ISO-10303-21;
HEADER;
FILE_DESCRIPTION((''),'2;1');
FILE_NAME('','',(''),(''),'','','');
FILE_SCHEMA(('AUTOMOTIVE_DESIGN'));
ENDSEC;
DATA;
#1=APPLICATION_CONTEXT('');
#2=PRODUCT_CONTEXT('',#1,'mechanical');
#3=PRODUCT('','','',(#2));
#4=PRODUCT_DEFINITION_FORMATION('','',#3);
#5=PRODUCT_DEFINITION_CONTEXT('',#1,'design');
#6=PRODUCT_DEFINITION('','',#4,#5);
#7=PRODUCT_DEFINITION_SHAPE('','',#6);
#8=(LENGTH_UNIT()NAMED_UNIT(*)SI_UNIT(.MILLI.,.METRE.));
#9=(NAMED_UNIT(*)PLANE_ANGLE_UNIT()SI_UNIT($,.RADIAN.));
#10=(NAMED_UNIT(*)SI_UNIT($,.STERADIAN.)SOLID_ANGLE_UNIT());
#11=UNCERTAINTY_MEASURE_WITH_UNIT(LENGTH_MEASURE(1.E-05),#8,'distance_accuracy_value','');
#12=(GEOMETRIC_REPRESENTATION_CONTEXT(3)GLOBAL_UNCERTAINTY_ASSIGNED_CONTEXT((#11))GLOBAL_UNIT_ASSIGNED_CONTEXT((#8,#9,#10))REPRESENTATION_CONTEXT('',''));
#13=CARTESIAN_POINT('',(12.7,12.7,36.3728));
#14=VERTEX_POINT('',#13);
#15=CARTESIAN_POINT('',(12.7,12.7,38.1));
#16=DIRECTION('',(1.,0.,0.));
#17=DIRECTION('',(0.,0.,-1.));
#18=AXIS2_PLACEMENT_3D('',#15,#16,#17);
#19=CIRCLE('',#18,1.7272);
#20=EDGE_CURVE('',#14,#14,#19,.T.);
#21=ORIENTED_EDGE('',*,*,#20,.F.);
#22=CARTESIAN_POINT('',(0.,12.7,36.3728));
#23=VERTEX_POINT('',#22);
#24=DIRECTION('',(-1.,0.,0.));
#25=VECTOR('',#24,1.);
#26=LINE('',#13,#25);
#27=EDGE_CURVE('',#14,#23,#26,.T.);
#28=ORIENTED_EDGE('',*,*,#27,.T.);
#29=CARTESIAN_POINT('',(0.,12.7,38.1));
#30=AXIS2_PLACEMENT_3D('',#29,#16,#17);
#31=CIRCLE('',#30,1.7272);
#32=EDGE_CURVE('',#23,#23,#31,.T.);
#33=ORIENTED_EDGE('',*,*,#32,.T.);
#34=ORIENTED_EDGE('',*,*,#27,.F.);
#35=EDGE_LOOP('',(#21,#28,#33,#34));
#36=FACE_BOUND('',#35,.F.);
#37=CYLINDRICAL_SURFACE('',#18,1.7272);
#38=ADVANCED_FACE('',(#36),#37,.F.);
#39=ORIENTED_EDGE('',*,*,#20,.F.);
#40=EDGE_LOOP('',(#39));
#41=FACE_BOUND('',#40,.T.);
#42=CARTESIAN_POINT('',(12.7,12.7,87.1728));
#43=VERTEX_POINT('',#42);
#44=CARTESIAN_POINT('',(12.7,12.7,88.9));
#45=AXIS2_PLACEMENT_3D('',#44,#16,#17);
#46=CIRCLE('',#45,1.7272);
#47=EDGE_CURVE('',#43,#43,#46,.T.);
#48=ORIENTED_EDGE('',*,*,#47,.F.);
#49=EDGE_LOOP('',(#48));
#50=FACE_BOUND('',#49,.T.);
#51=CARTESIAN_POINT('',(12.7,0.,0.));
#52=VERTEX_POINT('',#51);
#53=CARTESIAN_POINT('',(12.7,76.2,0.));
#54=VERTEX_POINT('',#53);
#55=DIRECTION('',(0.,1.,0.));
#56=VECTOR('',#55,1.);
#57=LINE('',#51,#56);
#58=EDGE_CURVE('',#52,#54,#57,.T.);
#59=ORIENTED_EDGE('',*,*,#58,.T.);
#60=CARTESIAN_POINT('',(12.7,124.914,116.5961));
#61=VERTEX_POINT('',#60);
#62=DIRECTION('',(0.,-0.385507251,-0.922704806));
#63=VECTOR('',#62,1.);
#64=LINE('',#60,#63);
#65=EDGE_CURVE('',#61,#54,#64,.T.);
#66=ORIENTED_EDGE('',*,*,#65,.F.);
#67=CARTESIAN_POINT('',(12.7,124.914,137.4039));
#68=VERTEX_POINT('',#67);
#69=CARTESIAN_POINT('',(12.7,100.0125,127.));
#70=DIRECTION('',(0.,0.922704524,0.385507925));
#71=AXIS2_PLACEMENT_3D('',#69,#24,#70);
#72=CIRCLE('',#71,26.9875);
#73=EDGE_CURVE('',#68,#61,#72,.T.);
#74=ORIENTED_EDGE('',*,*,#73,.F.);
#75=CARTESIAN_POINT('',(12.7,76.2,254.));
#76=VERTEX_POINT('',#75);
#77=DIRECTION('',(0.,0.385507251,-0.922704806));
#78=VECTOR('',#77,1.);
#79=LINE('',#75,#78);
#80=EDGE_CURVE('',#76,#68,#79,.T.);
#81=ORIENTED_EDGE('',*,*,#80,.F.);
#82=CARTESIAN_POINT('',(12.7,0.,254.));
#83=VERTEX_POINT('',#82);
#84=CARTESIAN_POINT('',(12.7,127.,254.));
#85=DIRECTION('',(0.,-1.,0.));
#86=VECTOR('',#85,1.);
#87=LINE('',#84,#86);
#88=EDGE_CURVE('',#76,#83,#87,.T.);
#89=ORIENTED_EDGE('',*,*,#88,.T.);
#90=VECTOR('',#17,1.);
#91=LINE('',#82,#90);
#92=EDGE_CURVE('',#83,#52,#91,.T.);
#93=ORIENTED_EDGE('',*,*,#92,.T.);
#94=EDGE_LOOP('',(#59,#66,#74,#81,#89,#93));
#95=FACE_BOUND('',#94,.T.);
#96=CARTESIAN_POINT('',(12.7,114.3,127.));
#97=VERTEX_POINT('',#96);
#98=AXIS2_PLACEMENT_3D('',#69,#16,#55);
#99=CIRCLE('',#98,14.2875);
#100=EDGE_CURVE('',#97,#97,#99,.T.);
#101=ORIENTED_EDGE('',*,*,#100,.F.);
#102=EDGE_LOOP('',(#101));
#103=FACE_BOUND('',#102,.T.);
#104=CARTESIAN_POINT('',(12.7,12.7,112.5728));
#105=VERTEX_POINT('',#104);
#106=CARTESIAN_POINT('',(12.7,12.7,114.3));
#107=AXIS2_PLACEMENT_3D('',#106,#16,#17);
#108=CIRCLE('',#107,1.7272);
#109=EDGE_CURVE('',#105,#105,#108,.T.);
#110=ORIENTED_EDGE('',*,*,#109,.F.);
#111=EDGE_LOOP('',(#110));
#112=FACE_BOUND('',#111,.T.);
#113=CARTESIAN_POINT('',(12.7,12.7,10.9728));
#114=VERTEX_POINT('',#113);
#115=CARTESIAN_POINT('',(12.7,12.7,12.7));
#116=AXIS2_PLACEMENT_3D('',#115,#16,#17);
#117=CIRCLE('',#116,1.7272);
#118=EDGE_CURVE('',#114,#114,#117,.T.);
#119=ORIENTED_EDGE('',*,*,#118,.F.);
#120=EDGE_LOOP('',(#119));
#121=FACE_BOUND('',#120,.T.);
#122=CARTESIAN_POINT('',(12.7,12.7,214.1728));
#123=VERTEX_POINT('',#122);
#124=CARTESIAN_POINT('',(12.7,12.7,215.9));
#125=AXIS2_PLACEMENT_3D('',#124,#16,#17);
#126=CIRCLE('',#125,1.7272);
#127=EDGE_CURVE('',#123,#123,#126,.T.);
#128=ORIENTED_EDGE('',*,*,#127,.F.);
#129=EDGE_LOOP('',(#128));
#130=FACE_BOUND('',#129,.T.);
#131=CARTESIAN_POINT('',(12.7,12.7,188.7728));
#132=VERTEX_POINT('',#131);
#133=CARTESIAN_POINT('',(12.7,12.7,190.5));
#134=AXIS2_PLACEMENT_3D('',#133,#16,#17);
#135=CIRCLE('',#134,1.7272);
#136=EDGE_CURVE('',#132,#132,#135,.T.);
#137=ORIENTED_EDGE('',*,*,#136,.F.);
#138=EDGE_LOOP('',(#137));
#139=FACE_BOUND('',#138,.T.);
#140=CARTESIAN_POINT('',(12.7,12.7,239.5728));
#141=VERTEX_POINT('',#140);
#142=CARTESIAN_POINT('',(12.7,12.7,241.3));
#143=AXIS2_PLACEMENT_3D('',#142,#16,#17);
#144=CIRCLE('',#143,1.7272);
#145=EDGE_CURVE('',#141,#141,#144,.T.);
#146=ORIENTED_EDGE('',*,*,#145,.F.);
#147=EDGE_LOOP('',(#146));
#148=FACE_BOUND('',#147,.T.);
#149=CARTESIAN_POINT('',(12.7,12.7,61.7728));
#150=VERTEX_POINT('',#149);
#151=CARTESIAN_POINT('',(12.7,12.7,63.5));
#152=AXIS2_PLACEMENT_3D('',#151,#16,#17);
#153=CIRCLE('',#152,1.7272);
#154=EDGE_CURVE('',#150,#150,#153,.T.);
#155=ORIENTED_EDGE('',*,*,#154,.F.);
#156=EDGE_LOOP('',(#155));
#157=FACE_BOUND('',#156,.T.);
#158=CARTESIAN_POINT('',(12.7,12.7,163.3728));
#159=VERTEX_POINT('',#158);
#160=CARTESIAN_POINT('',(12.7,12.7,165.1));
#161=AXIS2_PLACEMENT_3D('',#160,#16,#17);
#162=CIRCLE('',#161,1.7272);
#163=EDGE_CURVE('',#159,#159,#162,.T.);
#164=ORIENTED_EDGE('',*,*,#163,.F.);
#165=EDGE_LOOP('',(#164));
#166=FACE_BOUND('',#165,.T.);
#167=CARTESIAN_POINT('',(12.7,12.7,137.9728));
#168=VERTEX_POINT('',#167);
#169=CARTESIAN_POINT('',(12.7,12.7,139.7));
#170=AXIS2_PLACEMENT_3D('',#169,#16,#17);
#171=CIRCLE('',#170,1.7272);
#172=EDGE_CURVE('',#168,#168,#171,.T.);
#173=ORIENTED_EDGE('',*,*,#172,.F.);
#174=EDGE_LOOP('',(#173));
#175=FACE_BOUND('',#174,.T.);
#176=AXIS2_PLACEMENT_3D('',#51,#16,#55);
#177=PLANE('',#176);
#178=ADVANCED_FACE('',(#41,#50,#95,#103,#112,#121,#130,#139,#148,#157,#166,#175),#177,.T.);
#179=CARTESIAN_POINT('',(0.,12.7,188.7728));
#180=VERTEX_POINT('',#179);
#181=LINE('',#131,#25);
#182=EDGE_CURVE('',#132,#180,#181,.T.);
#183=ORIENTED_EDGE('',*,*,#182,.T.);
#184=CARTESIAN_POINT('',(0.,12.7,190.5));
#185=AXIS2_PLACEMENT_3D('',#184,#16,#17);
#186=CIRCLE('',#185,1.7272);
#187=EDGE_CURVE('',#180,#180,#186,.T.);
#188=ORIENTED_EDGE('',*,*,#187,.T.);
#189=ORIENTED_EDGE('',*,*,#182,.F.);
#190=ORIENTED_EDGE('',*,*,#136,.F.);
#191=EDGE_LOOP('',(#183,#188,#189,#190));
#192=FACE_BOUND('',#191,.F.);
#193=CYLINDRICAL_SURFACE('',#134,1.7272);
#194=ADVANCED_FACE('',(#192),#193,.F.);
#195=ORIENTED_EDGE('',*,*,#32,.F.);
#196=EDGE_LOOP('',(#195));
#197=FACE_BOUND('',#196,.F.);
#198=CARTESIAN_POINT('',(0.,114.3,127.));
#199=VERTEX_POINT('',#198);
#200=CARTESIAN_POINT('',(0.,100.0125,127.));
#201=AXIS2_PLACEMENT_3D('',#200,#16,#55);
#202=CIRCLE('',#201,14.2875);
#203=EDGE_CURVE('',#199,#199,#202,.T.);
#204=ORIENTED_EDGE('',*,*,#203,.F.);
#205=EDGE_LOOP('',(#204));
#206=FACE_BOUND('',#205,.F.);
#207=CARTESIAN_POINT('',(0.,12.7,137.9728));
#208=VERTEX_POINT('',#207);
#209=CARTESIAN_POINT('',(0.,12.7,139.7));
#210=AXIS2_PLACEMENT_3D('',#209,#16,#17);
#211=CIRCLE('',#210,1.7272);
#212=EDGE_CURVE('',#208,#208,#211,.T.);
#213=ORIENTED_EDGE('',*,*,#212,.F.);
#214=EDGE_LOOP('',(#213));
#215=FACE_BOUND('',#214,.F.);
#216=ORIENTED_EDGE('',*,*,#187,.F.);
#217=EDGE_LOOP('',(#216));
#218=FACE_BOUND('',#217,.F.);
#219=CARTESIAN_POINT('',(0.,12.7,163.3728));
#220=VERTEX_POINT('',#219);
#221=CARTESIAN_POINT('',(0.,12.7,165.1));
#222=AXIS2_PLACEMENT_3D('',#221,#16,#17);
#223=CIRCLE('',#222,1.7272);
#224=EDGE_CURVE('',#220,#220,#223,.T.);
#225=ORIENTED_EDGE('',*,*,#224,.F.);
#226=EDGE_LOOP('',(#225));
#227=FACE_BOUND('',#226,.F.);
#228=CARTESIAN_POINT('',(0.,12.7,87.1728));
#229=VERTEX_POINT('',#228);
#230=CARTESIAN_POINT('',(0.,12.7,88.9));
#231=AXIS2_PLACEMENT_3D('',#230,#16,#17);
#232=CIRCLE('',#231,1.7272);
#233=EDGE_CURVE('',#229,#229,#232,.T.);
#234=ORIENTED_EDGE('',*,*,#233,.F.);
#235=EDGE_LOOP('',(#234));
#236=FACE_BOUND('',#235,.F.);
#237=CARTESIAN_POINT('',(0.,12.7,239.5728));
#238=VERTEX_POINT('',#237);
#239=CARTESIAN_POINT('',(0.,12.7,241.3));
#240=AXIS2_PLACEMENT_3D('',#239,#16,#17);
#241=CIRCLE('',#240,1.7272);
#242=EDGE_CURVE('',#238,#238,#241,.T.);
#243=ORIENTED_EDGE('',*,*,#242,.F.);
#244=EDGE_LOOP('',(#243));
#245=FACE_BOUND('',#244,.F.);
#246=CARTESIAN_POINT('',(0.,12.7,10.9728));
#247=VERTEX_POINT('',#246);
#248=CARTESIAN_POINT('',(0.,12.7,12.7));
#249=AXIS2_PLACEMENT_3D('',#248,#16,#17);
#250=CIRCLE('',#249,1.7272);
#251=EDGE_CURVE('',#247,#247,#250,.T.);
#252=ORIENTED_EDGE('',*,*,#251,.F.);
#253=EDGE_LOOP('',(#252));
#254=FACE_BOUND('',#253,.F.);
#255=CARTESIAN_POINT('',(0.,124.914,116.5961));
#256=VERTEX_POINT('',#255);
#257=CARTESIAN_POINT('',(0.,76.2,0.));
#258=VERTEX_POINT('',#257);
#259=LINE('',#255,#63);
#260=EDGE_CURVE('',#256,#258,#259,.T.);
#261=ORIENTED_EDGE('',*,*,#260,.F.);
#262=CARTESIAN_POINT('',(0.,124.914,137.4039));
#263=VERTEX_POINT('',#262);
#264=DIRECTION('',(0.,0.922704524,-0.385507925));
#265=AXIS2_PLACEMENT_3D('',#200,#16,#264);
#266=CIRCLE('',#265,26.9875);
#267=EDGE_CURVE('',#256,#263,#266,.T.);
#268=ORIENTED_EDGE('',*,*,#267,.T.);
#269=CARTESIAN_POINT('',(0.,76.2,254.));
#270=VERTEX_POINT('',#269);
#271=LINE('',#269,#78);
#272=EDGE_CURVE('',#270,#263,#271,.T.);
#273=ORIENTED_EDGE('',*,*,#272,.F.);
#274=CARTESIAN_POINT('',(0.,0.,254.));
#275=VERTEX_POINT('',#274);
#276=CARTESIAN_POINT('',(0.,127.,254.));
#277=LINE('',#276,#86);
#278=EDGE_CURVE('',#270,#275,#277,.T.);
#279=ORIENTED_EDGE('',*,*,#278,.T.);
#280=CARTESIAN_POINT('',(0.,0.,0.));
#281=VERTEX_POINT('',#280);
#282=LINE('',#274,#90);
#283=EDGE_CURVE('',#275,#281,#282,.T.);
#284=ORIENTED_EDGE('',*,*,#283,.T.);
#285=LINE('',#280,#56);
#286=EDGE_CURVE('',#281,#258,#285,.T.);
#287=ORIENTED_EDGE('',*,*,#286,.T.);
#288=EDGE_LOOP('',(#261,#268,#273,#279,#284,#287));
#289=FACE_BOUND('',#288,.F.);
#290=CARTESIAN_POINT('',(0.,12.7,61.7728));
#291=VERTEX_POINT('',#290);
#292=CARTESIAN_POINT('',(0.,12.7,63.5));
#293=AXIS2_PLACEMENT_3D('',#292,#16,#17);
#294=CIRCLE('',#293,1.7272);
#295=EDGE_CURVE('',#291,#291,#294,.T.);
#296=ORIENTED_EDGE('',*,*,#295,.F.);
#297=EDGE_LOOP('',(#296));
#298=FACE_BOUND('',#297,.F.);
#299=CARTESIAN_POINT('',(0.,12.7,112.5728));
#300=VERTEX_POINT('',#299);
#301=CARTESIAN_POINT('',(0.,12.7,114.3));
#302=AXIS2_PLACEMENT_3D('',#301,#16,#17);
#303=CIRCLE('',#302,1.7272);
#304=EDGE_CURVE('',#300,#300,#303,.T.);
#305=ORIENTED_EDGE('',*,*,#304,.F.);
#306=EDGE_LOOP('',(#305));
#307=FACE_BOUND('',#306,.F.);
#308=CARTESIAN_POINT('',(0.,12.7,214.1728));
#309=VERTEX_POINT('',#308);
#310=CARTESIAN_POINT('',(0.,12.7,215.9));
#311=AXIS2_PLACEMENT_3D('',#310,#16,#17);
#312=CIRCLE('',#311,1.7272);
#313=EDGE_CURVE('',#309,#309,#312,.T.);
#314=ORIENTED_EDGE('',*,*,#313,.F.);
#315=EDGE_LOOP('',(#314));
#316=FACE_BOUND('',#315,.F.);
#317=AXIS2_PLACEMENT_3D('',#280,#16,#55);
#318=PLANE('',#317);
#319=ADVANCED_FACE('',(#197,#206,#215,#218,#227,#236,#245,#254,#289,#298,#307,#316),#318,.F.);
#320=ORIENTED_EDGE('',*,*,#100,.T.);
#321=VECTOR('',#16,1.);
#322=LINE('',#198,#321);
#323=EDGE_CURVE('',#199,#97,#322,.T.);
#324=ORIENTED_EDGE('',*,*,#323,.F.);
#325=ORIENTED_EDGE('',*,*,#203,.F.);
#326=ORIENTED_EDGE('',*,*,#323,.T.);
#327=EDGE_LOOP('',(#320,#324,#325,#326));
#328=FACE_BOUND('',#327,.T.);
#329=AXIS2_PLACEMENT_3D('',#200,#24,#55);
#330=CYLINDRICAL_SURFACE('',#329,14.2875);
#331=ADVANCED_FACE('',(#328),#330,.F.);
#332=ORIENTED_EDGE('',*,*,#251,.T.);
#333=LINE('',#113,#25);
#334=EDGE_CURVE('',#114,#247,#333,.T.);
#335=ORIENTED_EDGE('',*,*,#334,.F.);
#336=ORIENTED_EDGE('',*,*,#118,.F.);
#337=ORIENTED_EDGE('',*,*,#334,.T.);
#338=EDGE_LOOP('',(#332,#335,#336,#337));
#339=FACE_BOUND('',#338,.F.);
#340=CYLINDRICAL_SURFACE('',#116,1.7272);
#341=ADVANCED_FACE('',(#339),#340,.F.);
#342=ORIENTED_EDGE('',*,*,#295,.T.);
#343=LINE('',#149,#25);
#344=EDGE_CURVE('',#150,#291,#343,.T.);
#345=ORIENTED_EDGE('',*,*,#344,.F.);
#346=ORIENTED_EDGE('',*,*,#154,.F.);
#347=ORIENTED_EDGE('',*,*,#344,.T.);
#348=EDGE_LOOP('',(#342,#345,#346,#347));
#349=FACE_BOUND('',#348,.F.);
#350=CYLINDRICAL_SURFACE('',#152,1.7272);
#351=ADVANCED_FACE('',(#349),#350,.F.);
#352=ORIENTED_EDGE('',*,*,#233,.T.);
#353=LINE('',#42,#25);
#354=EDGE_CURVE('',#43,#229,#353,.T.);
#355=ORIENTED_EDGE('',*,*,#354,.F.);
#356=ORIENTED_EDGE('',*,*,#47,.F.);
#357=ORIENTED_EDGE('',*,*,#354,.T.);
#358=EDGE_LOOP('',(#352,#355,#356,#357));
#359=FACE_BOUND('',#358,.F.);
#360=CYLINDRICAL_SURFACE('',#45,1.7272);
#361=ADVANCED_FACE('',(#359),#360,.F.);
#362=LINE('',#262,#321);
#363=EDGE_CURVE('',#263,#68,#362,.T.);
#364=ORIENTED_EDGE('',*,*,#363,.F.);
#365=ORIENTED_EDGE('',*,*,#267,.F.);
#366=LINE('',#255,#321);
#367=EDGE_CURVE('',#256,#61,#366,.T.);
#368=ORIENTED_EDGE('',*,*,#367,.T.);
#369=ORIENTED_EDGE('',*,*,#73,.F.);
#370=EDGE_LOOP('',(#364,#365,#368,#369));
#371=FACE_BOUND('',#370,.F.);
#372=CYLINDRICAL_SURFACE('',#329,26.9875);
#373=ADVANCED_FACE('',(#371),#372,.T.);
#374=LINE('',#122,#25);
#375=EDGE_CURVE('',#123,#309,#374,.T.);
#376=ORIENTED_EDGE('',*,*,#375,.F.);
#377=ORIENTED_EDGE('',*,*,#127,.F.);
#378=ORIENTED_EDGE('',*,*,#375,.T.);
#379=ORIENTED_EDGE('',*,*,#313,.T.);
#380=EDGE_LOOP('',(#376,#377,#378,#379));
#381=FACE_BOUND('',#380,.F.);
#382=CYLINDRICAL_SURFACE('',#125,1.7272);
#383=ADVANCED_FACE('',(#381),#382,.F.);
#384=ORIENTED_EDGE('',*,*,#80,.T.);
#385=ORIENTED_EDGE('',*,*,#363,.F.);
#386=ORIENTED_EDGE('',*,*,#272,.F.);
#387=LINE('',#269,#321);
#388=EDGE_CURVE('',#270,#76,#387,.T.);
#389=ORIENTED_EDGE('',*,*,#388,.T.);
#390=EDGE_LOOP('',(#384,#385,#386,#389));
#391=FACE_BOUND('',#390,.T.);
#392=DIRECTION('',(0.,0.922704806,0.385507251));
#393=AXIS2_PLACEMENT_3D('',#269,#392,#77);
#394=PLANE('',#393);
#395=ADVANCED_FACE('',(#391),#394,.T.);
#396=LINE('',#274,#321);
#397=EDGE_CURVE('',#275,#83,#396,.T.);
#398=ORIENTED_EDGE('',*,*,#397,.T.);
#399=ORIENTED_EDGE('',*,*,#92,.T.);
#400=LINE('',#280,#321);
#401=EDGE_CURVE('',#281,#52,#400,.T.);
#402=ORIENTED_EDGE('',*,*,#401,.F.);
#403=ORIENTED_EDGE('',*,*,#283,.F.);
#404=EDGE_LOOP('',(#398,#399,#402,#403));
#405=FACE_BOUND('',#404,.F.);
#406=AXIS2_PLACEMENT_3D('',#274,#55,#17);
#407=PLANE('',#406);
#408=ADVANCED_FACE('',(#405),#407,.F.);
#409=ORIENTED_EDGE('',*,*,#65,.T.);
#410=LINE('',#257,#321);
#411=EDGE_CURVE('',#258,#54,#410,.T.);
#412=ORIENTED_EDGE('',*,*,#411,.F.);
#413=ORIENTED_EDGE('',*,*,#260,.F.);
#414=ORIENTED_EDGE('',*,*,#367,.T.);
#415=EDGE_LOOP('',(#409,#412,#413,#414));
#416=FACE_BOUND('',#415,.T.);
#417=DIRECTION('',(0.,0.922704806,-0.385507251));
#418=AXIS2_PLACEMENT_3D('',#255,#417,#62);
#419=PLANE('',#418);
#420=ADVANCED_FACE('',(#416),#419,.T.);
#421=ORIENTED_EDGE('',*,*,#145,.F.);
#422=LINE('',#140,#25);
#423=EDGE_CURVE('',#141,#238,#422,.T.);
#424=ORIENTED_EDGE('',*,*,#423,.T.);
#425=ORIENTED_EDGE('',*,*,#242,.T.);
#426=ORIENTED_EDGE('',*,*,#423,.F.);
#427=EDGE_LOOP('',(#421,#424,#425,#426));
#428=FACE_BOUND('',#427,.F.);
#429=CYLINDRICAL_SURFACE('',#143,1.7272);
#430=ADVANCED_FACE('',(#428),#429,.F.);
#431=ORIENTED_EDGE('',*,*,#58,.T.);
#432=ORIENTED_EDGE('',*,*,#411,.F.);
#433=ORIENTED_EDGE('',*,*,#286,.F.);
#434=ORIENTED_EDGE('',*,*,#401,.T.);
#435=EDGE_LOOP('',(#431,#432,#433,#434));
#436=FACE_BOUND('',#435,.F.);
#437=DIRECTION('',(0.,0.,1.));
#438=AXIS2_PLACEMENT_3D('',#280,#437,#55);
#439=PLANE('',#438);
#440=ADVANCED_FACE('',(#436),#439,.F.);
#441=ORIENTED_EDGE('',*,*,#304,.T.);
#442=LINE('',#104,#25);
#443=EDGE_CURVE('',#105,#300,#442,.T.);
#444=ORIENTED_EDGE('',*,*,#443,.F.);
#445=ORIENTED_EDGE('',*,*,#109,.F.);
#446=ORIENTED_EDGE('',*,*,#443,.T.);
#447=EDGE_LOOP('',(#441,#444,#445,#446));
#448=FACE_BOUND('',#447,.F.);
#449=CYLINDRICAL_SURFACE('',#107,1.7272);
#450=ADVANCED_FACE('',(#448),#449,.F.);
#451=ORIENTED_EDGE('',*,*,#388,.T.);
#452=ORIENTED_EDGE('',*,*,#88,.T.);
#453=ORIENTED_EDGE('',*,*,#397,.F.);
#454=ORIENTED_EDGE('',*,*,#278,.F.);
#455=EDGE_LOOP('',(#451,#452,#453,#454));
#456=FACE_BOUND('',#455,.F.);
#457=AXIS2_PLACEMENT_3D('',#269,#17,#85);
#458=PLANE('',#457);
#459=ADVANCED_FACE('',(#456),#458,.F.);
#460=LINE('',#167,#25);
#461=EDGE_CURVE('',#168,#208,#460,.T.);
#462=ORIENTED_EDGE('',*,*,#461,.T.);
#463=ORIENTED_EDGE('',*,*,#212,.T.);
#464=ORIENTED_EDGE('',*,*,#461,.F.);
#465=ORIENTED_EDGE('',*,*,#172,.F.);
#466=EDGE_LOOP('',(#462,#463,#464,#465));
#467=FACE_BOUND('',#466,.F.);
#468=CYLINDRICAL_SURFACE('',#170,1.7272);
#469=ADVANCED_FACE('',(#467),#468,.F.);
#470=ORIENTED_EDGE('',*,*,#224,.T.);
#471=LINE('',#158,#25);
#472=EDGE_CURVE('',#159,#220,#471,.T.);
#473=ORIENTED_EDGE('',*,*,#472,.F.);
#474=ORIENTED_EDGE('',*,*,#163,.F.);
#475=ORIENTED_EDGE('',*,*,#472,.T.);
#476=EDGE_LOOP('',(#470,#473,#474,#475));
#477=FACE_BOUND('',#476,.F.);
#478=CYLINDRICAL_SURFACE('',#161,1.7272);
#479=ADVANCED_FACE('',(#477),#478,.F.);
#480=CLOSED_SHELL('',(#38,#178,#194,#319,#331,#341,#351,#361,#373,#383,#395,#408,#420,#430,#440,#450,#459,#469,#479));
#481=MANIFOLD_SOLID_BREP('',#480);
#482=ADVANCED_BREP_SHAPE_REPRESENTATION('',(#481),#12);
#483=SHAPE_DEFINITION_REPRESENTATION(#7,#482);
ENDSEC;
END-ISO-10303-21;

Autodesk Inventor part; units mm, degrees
ref_plane "YZ Plane" through (0, 0, 0) normal (1, 0, 0) x (0, 1, 0)
ref_plane "XZ Plane" through (0, 0, 0) normal (0, 1, 0) x (-1, 0, 0)
ref_plane "XY Plane" through (0, 0, 0) normal (0, 0, 1) x (1, 0, 0)
sketch "Sketch1" plane through (0, 0, 0) normal (1, 0, 0) x (0, 1, 0)
  line L0 (127, 254) -> (0, 254)
  line L1 (0, 254) -> (0, 0)
  line L2 (0, 0) -> (127, 0)
  line L3 (127, 0) -> (127, 254)
  circle A0 centre (100.0125, 127) radius 14.2875
  circle A1 centre (100.0125, 127) radius 26.9875
  line L4 (76.2, 254) -> (124.914, 137.4039)
  line L5 (124.914, 116.5961) -> (76.2, 0)
  dimension "d0" = 254
  dimension "d1" = 127
  dimension "d2" = 28.575
  dimension "d3" = 12.7
  dimension "d4" = 127
  dimension "d5" = 76.2
  dimension "d6" = 76.2
extrude "Extrusion1" add sketch "Sketch1" along normal blind 12.7 contours L4 A1 L5 L2 L1 L0 | A1
sketch "Sketch2" plane through (12.7, 0, 0) normal (1, 0, 0) x (0, 0, -1)
  circle A0 centre (-241.3, 12.7) radius 1.7272
  line L0 (-254, 76.2) -> (-254, 0) projected
  line L1 (-254, 0) -> (0, 0) projected
  dimension "d9" = 12.7
  dimension "d10" = 12.7
  dimension "d11" = 3.4544
extrude "Extrusion2" cut sketch "Sketch2" against normal through all
pattern_linear "Rectangular Pattern1" count 10 spacing 25.4 along (0, 0, -1) of "Extrusion2"
properties part number "Jeep Plate 2.0" material "Polycarbonate, Smoke"
